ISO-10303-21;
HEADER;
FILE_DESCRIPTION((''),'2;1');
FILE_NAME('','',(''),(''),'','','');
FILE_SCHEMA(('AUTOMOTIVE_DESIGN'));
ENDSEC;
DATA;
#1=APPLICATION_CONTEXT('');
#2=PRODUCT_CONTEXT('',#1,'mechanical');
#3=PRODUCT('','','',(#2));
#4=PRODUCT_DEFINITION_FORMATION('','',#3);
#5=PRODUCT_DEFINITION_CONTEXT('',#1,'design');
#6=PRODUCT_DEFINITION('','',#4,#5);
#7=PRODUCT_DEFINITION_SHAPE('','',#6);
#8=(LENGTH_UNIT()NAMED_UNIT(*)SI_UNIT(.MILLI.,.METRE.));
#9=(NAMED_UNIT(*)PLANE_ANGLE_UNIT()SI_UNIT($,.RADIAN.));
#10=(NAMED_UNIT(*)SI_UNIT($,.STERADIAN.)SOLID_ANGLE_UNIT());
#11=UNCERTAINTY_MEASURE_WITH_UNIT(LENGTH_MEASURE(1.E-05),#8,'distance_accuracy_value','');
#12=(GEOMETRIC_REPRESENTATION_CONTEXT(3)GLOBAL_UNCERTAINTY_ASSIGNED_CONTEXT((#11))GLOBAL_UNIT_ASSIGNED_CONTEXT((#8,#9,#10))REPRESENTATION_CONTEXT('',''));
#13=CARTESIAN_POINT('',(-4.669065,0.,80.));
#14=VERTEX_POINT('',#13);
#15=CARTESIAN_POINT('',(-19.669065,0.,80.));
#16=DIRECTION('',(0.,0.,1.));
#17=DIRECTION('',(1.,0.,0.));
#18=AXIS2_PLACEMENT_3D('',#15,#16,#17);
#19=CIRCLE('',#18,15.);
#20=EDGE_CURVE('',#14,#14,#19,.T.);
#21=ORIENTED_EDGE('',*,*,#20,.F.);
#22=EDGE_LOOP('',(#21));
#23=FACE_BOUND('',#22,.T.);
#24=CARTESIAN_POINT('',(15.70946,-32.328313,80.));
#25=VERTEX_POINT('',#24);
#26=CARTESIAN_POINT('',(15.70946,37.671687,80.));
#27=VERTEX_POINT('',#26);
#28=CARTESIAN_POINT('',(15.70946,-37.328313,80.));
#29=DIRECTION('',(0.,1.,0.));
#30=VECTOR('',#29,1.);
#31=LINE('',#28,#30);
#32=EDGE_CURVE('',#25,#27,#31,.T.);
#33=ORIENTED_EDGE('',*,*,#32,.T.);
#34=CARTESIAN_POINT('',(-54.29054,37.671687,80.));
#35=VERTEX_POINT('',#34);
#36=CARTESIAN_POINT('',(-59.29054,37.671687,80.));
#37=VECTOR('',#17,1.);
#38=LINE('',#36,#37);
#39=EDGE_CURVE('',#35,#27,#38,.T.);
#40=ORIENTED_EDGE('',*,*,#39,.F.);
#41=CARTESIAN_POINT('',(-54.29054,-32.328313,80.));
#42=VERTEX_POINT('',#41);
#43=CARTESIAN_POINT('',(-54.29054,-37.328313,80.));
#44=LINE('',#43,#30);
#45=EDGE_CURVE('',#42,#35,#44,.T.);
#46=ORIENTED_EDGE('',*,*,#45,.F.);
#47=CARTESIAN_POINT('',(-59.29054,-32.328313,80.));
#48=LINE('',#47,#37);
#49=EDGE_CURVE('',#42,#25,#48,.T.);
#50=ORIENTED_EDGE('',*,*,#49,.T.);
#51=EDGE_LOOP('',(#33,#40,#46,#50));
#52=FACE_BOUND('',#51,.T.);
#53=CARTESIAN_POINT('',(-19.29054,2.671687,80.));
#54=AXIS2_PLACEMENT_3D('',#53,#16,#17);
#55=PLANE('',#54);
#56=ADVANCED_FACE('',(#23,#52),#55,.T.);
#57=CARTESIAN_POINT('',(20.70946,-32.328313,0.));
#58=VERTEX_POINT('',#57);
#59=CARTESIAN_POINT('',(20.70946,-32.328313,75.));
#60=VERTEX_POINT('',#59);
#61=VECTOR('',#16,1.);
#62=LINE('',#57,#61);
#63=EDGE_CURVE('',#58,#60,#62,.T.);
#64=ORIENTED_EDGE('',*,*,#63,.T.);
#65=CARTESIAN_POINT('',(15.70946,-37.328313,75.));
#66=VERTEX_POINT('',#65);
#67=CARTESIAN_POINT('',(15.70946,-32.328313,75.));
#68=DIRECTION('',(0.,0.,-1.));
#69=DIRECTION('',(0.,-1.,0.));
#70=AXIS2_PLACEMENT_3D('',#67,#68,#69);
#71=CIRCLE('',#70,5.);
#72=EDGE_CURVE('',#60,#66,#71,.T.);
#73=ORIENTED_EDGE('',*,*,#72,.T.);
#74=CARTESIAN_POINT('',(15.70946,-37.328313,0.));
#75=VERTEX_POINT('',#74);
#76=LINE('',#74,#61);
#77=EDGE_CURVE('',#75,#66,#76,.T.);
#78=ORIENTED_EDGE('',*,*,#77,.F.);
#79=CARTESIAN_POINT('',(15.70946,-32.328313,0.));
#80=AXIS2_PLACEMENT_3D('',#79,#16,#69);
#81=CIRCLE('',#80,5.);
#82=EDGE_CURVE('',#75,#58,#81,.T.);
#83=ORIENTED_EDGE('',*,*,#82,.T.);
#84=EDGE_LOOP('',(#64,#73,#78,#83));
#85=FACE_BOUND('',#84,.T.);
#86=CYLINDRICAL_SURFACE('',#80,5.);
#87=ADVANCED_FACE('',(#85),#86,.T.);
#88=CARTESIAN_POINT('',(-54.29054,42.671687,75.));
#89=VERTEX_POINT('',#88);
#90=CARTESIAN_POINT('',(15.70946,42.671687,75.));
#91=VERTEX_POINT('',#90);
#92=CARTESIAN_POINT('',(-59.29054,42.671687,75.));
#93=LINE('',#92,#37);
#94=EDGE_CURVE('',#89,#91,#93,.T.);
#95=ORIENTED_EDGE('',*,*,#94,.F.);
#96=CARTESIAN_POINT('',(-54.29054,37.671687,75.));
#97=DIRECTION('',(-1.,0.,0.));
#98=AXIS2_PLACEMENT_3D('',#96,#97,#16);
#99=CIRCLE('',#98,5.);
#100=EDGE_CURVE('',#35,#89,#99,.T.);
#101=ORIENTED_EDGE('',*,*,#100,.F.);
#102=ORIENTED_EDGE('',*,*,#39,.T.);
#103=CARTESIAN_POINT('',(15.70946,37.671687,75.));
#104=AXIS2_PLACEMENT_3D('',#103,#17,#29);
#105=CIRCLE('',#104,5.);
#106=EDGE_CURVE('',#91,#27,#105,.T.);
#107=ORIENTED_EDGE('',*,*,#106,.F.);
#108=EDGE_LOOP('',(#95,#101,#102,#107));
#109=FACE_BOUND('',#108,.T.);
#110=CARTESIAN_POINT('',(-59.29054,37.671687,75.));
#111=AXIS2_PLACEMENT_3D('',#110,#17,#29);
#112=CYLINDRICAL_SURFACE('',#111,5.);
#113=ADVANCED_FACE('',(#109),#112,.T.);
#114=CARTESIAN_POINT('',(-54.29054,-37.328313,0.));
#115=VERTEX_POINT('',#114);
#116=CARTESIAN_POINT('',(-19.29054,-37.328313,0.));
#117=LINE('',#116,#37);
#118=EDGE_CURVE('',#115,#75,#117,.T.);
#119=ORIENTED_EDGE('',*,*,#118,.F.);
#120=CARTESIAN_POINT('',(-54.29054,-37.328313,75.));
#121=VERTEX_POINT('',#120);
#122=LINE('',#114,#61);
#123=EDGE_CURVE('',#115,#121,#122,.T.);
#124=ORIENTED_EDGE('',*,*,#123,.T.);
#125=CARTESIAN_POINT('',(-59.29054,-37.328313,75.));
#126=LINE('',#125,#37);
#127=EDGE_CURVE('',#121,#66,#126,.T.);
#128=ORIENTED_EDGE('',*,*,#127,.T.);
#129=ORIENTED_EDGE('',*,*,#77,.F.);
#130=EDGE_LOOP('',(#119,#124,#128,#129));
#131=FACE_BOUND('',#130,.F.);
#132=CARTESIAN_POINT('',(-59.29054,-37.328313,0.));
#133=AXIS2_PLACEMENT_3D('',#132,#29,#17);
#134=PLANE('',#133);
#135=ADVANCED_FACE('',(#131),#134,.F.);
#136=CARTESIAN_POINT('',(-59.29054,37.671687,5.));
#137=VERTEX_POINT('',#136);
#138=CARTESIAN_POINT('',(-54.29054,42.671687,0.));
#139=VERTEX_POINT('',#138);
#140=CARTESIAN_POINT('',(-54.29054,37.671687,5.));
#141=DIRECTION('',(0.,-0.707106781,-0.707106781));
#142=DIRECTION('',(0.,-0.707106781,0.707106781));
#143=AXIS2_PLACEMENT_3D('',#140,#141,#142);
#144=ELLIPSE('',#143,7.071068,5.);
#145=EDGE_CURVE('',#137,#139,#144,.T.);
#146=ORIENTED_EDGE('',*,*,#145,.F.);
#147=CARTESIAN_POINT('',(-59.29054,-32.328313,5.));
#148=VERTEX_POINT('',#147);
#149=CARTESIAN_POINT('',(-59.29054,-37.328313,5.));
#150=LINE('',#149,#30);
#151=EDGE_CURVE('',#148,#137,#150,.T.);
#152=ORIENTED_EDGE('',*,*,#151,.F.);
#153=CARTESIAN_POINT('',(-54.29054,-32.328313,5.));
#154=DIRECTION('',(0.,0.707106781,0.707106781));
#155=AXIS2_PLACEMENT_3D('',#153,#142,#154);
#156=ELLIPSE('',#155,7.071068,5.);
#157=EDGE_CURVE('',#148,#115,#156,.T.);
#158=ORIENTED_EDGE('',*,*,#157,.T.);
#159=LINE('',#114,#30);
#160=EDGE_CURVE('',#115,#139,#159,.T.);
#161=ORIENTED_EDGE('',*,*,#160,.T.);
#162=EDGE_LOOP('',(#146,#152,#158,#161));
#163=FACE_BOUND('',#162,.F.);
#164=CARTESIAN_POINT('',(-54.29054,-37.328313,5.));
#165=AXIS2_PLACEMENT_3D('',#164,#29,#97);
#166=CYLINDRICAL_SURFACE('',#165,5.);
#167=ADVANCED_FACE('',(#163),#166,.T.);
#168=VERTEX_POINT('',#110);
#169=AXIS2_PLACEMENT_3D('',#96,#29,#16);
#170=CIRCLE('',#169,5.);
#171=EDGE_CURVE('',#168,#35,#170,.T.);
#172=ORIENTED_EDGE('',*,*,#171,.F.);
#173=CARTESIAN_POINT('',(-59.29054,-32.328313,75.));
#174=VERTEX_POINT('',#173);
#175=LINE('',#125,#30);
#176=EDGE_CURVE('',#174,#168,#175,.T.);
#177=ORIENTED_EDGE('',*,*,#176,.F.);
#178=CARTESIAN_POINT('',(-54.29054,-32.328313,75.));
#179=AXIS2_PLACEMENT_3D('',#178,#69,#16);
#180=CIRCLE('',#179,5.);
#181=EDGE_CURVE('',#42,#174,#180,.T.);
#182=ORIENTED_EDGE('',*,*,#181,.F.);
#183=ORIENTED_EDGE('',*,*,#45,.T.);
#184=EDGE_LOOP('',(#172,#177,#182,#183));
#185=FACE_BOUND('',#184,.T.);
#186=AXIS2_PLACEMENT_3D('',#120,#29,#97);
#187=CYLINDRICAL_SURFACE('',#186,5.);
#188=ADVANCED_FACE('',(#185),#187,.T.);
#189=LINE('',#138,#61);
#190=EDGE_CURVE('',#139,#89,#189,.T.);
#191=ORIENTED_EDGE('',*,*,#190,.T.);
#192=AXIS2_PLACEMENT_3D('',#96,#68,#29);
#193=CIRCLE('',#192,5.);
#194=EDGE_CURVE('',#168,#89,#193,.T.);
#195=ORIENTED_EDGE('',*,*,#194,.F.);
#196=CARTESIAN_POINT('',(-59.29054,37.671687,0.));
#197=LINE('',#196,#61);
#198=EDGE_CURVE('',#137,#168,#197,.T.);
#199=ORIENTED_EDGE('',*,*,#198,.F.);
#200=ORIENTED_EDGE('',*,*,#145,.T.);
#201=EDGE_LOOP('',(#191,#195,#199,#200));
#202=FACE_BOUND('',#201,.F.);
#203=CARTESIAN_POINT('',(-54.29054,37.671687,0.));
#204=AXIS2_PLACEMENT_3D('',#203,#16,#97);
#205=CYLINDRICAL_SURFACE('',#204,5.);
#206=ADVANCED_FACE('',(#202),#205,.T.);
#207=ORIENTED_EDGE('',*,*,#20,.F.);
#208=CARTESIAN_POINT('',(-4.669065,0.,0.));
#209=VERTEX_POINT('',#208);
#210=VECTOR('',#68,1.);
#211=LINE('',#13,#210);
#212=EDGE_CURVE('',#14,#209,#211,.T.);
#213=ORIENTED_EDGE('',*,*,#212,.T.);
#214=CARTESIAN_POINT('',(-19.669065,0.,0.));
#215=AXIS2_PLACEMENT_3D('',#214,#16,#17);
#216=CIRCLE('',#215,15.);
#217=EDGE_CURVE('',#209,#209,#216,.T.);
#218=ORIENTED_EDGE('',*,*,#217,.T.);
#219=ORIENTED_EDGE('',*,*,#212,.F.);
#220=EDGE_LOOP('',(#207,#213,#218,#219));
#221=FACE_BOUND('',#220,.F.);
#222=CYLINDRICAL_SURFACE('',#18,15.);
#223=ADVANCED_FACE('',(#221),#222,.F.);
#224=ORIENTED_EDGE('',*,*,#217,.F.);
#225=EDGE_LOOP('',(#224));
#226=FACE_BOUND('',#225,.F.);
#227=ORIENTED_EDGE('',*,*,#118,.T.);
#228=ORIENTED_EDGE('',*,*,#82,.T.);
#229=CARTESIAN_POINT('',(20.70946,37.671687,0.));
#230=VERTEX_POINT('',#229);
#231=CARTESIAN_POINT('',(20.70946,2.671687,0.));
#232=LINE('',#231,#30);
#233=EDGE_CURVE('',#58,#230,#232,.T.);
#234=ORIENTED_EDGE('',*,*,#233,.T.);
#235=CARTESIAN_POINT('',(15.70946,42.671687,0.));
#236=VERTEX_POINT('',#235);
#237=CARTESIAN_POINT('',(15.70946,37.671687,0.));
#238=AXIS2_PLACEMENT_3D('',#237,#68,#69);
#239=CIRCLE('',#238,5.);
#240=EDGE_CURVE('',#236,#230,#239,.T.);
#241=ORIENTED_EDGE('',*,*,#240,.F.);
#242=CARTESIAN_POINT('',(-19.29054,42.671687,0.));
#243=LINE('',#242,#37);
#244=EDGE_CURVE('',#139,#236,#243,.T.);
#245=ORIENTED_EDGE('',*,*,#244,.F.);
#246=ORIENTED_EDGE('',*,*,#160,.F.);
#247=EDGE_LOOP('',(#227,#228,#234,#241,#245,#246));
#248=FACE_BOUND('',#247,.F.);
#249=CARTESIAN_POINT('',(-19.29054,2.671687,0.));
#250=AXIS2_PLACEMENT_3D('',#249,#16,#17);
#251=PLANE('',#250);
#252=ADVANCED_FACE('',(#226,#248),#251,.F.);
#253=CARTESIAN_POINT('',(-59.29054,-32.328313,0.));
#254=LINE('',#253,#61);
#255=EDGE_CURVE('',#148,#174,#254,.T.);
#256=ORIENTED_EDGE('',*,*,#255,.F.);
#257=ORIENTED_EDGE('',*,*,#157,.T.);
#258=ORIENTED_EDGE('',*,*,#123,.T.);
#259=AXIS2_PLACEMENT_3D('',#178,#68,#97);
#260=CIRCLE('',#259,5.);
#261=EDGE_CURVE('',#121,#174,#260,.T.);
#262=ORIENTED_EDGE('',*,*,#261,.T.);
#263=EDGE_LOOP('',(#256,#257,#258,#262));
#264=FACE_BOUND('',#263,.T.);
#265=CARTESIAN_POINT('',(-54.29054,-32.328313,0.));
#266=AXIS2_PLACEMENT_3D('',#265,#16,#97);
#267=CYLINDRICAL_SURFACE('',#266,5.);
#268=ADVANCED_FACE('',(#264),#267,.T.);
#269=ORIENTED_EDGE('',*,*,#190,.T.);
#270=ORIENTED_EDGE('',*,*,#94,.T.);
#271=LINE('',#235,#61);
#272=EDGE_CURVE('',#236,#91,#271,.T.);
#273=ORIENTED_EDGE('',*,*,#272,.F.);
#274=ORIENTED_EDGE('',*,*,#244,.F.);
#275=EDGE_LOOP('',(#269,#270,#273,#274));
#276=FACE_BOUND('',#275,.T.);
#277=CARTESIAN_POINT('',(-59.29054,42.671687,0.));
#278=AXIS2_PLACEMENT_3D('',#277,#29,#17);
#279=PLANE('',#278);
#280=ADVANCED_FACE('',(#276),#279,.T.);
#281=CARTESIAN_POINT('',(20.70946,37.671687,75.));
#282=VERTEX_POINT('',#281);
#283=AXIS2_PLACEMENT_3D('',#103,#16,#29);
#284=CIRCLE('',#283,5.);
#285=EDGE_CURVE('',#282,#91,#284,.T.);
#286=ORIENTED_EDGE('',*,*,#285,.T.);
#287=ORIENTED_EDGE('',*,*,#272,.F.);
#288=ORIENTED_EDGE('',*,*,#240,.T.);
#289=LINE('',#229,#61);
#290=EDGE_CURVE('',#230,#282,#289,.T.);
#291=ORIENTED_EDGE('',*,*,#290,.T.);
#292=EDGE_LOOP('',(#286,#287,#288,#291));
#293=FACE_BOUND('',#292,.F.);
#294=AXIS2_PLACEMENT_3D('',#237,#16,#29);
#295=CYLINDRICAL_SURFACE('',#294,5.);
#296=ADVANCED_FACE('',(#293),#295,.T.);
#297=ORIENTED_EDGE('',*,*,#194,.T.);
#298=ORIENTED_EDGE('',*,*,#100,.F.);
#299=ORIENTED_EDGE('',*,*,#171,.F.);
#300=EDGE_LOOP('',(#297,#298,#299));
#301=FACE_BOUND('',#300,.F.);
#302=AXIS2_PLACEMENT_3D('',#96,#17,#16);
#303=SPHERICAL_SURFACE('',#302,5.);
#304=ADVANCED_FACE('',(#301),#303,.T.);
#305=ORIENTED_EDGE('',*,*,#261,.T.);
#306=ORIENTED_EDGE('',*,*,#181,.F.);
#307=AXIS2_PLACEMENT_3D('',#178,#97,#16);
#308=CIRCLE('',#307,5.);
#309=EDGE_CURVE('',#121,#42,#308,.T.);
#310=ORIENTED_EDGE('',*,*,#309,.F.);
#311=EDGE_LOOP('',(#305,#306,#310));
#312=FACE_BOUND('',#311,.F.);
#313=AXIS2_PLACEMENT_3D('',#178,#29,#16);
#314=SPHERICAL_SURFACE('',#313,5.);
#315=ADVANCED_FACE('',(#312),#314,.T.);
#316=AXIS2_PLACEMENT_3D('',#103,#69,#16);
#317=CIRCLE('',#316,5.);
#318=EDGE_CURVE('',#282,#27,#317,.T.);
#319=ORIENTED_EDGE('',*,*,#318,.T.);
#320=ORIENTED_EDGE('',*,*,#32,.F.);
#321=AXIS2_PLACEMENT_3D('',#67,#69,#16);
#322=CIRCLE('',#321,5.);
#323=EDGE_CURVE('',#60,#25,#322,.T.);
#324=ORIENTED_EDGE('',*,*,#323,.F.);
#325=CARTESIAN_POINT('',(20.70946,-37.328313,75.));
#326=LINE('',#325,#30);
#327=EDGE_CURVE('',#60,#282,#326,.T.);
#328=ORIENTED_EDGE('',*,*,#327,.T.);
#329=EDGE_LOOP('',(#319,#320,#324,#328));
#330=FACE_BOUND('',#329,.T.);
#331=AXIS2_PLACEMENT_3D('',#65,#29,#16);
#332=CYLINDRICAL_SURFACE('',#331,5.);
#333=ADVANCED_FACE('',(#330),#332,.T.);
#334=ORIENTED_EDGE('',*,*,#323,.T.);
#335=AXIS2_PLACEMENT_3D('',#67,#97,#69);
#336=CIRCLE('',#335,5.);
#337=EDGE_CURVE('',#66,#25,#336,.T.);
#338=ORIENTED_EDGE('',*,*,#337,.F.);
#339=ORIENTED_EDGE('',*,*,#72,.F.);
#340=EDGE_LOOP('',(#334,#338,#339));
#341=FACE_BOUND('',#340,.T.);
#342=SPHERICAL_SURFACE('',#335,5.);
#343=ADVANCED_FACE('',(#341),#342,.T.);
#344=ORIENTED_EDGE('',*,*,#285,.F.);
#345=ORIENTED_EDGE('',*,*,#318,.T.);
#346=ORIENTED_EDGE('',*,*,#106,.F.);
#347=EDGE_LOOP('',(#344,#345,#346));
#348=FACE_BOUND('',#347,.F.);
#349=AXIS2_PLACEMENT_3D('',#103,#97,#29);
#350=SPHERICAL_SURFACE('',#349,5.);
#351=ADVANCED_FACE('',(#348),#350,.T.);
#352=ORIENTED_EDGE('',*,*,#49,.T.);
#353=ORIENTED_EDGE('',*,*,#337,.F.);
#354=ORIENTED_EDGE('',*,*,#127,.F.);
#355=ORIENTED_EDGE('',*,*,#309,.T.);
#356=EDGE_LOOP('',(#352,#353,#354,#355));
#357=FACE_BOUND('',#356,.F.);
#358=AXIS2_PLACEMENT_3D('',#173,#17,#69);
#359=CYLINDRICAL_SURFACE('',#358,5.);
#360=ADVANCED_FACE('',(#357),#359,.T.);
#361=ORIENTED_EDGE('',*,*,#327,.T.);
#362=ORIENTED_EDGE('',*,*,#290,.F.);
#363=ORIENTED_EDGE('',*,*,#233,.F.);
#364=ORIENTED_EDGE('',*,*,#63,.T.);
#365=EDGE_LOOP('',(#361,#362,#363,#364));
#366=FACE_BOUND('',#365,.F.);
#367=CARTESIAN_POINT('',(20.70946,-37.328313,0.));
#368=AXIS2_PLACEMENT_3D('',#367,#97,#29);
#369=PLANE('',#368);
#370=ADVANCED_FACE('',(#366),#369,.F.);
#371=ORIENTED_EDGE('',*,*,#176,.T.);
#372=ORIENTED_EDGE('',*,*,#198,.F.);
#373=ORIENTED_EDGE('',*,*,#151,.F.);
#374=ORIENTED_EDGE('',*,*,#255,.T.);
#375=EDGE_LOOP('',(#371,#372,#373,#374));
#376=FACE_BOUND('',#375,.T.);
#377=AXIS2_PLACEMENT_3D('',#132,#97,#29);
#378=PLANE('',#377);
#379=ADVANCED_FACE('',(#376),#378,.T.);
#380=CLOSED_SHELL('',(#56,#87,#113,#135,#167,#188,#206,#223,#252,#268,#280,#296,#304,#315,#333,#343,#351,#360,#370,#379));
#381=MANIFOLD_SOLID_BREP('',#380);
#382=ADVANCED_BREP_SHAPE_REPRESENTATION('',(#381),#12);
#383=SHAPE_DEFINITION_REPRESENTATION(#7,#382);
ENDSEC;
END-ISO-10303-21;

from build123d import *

# Parameters (mm, degrees)
F0_W     = 80
F0_H     = 80
F1_DEPTH = 80
F2_R     = 15
F3_DEPTH = 80.001
F4_R     = 5


with BuildPart() as f1:
    # F0 (on Top) → F1 (new body)
    with BuildSketch(Plane.XY):
        with Locations((-19.29054, 2.671687)):
            Rectangle(F0_W, F0_H)
    extrude(amount=F1_DEPTH)

    # F2 (on face) → F3 (cut, through all)
    with BuildSketch(Plane.XY.offset(80)):
        with Locations((-19.669065, 0)):
            Circle(F2_R)
    extrude(amount=-F3_DEPTH, mode=Mode.SUBTRACT)

    # F4
    f4_edges = [f1.edges().sort_by_distance(p)[0] for p in [
        (-19.29054, 42.671687, 80),
        (-59.29054, 2.671687, 80),
        (-19.29054, -37.328313, 80),
        (-59.29054, 42.671687, 40),
        (-59.29054, -37.328313, 40),
        (-59.29054, 2.671687, 0),
        (20.70946, 42.671687, 40),
        (20.70946, -37.328313, 40),
        (20.70946, 2.671687, 80),
    ]]
    fillet(f4_edges, radius=F4_R)


solid = f1.part
